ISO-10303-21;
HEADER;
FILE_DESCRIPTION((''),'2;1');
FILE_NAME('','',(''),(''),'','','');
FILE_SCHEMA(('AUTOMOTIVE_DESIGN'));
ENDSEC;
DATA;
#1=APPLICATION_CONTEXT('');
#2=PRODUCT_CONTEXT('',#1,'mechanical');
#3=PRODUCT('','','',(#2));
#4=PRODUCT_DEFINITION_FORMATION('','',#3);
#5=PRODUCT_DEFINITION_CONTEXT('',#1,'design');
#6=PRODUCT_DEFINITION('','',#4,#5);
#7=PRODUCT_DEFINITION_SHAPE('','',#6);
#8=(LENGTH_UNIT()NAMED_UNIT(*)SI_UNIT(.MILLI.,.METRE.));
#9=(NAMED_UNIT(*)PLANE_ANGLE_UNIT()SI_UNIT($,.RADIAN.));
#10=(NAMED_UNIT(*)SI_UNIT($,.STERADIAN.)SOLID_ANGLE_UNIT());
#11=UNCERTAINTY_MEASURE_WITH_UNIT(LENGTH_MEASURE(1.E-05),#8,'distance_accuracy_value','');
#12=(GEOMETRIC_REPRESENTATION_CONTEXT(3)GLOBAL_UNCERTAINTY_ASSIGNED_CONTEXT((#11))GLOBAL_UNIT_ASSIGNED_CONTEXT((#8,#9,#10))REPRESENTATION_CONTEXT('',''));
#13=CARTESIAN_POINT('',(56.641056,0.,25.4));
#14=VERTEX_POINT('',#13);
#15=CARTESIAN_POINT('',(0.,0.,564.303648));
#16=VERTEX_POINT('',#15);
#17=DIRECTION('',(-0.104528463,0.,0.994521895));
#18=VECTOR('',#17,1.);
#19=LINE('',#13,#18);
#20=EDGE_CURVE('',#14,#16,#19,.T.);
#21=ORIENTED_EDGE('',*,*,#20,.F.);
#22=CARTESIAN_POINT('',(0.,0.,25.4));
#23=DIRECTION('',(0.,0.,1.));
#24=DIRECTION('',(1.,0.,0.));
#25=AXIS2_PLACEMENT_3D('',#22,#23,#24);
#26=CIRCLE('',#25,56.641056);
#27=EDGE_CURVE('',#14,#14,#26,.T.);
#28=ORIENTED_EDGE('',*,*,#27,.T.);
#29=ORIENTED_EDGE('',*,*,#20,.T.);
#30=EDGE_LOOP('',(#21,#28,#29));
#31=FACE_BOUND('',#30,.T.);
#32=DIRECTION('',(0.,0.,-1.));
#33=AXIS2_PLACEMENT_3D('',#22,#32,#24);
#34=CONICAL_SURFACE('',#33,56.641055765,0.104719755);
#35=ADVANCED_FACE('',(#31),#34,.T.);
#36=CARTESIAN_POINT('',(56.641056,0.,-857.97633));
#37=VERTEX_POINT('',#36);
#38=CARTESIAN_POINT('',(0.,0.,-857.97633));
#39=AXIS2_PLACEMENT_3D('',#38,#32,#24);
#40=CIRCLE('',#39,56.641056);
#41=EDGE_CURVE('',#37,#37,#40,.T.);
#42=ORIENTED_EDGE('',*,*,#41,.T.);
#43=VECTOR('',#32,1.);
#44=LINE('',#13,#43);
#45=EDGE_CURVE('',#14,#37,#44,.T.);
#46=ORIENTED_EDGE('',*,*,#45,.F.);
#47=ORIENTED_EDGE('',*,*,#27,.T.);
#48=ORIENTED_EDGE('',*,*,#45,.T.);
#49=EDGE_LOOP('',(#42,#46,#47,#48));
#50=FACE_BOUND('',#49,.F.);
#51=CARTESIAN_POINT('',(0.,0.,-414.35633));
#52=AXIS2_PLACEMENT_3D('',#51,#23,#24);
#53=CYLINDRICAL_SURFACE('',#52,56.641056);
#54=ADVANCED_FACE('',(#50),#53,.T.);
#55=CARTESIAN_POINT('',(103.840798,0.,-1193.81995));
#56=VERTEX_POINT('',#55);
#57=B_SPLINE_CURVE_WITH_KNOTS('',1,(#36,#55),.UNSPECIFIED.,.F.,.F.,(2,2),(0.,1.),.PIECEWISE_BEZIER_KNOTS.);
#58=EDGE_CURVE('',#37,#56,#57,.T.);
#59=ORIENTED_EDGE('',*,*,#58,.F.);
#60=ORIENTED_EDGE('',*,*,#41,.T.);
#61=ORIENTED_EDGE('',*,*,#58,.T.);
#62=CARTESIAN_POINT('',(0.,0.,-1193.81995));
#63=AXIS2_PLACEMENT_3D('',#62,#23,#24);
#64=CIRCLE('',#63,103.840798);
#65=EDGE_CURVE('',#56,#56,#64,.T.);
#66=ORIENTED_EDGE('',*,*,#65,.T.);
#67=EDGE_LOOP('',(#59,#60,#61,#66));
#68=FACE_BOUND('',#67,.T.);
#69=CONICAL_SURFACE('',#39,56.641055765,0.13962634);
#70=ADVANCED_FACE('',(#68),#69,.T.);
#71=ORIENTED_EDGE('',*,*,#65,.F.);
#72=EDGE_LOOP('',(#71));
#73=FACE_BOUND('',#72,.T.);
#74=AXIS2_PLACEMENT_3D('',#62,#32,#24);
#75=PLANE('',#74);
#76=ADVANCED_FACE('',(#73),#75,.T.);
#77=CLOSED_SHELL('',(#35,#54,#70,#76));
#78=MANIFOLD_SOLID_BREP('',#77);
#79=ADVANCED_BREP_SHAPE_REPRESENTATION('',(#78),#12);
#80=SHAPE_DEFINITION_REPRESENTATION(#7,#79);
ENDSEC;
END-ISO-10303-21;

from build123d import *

# Parameters (mm, degrees)
F0_R     = 56.6410557647
F1_DEPTH = 414.35633
F2_R     = 56.6410557647
F3_DEPTH = 25.4
F4_R     = 56.6410557647
F5_DEPTH = 638.01814
F5_TAPER = 6
F6_R     = 56.6410557647
F7_DEPTH = 443.62
F8_R     = 56.6410557647
F9_DEPTH = 335.84362
F9_TAPER = -8


with BuildPart() as f1:
    # F0 (on Top) → F1 (new body)
    with BuildSketch(Plane.XY):
        Circle(F0_R)
    extrude(amount=-F1_DEPTH)

    # F2 (on face) → F3 (join)
    with BuildSketch(Plane.XY):
        Circle(F2_R)
    extrude(amount=F3_DEPTH)

    # F4 (on face) → F5 (join)
    with BuildSketch(Plane.XY.offset(25.4)):
        Circle(F4_R)
    extrude(amount=F5_DEPTH, taper=F5_TAPER)

    # F6 (on face) → F7 (join)
    with BuildSketch(Plane(origin=(0, 0, -414.35633), x_dir=(1, 0, 0), z_dir=(0, 0, -1))):
        Circle(F6_R)
    extrude(amount=F7_DEPTH)

    # F8 (on face) → F9 (join)
    with BuildSketch(Plane(origin=(0, 0, -857.97633), x_dir=(1, 0, 0), z_dir=(0, 0, -1))):
        Circle(F8_R)
    extrude(amount=F9_DEPTH, taper=F9_TAPER)


solid = f1.part
